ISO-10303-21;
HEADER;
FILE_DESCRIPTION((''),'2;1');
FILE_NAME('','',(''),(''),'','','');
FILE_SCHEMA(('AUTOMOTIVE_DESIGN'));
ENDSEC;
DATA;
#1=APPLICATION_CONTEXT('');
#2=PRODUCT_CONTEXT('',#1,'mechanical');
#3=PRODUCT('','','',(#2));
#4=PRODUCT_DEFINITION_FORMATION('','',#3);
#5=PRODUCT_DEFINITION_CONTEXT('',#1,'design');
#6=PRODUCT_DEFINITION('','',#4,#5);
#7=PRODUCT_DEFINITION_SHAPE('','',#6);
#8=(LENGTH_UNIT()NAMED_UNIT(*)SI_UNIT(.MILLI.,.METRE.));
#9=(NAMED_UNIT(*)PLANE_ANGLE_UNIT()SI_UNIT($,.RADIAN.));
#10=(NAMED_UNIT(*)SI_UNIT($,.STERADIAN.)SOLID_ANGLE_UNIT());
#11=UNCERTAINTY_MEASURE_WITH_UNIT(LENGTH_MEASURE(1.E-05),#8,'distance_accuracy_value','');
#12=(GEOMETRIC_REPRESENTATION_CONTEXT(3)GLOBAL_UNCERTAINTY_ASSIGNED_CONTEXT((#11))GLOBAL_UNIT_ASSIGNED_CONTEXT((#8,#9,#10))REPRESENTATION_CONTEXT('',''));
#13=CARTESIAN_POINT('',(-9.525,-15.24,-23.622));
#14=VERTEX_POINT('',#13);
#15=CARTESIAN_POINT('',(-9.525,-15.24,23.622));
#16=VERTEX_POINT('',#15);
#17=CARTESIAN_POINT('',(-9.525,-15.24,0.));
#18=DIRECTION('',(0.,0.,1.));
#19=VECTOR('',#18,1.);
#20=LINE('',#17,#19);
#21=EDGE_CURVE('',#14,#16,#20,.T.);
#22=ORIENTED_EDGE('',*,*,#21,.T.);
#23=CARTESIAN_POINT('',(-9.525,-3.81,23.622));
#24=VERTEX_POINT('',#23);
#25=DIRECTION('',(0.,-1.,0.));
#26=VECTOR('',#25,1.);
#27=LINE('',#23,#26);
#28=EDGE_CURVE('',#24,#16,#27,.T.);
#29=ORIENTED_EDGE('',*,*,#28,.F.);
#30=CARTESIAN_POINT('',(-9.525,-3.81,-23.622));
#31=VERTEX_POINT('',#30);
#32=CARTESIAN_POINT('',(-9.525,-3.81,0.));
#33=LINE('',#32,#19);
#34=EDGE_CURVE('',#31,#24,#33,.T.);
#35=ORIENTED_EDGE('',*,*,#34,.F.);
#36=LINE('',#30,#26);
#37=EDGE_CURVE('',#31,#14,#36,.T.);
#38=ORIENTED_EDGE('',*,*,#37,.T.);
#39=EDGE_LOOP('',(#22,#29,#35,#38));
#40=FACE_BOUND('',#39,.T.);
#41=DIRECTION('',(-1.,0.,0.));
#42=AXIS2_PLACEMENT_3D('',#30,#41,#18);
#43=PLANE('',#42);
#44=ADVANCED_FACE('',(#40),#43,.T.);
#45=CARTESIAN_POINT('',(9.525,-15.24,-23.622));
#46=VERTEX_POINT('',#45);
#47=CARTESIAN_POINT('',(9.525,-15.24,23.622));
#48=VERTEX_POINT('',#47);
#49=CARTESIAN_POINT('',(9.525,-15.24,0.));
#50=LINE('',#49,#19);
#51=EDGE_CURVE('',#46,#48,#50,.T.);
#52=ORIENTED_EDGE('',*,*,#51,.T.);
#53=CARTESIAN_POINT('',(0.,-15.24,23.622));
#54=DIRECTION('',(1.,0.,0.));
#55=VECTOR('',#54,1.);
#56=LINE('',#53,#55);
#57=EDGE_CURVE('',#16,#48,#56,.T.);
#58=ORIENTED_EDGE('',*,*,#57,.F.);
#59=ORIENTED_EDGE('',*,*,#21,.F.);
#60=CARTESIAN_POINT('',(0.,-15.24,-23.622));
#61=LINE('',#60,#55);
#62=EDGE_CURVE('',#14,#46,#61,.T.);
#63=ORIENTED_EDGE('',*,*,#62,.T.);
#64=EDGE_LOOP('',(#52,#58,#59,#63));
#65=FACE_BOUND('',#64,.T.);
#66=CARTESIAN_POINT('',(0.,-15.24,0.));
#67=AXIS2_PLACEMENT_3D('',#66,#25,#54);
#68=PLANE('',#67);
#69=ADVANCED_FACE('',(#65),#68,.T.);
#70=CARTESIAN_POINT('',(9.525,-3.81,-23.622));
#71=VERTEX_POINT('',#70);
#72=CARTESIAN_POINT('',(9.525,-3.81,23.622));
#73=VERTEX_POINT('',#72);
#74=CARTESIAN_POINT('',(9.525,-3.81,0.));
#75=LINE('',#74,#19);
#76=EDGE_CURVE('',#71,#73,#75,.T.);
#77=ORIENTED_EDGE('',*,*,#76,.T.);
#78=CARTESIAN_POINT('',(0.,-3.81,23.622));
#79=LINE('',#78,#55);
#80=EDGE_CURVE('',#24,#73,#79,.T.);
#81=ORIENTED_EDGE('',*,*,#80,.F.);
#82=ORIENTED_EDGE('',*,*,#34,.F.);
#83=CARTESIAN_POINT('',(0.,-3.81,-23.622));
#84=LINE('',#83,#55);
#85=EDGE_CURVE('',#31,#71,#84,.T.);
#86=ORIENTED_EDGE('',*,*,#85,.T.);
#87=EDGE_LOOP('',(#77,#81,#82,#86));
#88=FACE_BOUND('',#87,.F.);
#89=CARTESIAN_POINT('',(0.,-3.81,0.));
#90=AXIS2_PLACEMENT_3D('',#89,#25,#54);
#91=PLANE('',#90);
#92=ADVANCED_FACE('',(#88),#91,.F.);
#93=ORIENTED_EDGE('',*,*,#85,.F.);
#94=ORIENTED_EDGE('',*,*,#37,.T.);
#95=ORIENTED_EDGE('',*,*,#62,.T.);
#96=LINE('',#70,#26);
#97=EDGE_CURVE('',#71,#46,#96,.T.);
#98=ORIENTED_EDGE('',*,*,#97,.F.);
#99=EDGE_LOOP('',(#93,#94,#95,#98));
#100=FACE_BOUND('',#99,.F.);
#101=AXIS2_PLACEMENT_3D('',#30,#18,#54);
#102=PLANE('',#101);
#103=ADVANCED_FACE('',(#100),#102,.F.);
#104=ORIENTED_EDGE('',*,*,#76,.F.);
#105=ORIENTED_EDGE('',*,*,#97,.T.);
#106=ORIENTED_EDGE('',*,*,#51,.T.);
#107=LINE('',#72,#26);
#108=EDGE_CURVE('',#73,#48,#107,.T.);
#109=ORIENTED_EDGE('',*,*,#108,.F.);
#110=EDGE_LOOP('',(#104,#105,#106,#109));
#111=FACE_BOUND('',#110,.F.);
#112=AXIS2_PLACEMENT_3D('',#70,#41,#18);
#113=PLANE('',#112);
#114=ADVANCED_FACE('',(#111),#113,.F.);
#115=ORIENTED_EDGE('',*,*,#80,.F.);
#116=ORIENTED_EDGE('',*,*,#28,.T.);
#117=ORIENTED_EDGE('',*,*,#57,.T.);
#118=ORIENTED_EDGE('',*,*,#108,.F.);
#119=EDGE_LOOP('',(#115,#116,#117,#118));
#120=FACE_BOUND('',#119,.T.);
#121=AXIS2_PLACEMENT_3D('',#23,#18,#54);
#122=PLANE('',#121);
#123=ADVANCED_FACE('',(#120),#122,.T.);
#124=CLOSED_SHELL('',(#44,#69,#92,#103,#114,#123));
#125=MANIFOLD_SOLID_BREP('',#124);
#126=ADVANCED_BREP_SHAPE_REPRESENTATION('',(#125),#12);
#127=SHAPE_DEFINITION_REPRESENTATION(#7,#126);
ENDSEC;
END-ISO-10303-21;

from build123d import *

# Parameters (mm, degrees)
F1_START = 3.81
F0_W     = 19.05
F0_H     = 47.244
F1_DEPTH = 11.43


with BuildPart() as f1:
    # F0 (on Front) → F1 (new body)
    with BuildSketch(Plane.XZ.offset(F1_START)):
        Rectangle(F0_W, F0_H)
    extrude(amount=F1_DEPTH)


solid = f1.part
